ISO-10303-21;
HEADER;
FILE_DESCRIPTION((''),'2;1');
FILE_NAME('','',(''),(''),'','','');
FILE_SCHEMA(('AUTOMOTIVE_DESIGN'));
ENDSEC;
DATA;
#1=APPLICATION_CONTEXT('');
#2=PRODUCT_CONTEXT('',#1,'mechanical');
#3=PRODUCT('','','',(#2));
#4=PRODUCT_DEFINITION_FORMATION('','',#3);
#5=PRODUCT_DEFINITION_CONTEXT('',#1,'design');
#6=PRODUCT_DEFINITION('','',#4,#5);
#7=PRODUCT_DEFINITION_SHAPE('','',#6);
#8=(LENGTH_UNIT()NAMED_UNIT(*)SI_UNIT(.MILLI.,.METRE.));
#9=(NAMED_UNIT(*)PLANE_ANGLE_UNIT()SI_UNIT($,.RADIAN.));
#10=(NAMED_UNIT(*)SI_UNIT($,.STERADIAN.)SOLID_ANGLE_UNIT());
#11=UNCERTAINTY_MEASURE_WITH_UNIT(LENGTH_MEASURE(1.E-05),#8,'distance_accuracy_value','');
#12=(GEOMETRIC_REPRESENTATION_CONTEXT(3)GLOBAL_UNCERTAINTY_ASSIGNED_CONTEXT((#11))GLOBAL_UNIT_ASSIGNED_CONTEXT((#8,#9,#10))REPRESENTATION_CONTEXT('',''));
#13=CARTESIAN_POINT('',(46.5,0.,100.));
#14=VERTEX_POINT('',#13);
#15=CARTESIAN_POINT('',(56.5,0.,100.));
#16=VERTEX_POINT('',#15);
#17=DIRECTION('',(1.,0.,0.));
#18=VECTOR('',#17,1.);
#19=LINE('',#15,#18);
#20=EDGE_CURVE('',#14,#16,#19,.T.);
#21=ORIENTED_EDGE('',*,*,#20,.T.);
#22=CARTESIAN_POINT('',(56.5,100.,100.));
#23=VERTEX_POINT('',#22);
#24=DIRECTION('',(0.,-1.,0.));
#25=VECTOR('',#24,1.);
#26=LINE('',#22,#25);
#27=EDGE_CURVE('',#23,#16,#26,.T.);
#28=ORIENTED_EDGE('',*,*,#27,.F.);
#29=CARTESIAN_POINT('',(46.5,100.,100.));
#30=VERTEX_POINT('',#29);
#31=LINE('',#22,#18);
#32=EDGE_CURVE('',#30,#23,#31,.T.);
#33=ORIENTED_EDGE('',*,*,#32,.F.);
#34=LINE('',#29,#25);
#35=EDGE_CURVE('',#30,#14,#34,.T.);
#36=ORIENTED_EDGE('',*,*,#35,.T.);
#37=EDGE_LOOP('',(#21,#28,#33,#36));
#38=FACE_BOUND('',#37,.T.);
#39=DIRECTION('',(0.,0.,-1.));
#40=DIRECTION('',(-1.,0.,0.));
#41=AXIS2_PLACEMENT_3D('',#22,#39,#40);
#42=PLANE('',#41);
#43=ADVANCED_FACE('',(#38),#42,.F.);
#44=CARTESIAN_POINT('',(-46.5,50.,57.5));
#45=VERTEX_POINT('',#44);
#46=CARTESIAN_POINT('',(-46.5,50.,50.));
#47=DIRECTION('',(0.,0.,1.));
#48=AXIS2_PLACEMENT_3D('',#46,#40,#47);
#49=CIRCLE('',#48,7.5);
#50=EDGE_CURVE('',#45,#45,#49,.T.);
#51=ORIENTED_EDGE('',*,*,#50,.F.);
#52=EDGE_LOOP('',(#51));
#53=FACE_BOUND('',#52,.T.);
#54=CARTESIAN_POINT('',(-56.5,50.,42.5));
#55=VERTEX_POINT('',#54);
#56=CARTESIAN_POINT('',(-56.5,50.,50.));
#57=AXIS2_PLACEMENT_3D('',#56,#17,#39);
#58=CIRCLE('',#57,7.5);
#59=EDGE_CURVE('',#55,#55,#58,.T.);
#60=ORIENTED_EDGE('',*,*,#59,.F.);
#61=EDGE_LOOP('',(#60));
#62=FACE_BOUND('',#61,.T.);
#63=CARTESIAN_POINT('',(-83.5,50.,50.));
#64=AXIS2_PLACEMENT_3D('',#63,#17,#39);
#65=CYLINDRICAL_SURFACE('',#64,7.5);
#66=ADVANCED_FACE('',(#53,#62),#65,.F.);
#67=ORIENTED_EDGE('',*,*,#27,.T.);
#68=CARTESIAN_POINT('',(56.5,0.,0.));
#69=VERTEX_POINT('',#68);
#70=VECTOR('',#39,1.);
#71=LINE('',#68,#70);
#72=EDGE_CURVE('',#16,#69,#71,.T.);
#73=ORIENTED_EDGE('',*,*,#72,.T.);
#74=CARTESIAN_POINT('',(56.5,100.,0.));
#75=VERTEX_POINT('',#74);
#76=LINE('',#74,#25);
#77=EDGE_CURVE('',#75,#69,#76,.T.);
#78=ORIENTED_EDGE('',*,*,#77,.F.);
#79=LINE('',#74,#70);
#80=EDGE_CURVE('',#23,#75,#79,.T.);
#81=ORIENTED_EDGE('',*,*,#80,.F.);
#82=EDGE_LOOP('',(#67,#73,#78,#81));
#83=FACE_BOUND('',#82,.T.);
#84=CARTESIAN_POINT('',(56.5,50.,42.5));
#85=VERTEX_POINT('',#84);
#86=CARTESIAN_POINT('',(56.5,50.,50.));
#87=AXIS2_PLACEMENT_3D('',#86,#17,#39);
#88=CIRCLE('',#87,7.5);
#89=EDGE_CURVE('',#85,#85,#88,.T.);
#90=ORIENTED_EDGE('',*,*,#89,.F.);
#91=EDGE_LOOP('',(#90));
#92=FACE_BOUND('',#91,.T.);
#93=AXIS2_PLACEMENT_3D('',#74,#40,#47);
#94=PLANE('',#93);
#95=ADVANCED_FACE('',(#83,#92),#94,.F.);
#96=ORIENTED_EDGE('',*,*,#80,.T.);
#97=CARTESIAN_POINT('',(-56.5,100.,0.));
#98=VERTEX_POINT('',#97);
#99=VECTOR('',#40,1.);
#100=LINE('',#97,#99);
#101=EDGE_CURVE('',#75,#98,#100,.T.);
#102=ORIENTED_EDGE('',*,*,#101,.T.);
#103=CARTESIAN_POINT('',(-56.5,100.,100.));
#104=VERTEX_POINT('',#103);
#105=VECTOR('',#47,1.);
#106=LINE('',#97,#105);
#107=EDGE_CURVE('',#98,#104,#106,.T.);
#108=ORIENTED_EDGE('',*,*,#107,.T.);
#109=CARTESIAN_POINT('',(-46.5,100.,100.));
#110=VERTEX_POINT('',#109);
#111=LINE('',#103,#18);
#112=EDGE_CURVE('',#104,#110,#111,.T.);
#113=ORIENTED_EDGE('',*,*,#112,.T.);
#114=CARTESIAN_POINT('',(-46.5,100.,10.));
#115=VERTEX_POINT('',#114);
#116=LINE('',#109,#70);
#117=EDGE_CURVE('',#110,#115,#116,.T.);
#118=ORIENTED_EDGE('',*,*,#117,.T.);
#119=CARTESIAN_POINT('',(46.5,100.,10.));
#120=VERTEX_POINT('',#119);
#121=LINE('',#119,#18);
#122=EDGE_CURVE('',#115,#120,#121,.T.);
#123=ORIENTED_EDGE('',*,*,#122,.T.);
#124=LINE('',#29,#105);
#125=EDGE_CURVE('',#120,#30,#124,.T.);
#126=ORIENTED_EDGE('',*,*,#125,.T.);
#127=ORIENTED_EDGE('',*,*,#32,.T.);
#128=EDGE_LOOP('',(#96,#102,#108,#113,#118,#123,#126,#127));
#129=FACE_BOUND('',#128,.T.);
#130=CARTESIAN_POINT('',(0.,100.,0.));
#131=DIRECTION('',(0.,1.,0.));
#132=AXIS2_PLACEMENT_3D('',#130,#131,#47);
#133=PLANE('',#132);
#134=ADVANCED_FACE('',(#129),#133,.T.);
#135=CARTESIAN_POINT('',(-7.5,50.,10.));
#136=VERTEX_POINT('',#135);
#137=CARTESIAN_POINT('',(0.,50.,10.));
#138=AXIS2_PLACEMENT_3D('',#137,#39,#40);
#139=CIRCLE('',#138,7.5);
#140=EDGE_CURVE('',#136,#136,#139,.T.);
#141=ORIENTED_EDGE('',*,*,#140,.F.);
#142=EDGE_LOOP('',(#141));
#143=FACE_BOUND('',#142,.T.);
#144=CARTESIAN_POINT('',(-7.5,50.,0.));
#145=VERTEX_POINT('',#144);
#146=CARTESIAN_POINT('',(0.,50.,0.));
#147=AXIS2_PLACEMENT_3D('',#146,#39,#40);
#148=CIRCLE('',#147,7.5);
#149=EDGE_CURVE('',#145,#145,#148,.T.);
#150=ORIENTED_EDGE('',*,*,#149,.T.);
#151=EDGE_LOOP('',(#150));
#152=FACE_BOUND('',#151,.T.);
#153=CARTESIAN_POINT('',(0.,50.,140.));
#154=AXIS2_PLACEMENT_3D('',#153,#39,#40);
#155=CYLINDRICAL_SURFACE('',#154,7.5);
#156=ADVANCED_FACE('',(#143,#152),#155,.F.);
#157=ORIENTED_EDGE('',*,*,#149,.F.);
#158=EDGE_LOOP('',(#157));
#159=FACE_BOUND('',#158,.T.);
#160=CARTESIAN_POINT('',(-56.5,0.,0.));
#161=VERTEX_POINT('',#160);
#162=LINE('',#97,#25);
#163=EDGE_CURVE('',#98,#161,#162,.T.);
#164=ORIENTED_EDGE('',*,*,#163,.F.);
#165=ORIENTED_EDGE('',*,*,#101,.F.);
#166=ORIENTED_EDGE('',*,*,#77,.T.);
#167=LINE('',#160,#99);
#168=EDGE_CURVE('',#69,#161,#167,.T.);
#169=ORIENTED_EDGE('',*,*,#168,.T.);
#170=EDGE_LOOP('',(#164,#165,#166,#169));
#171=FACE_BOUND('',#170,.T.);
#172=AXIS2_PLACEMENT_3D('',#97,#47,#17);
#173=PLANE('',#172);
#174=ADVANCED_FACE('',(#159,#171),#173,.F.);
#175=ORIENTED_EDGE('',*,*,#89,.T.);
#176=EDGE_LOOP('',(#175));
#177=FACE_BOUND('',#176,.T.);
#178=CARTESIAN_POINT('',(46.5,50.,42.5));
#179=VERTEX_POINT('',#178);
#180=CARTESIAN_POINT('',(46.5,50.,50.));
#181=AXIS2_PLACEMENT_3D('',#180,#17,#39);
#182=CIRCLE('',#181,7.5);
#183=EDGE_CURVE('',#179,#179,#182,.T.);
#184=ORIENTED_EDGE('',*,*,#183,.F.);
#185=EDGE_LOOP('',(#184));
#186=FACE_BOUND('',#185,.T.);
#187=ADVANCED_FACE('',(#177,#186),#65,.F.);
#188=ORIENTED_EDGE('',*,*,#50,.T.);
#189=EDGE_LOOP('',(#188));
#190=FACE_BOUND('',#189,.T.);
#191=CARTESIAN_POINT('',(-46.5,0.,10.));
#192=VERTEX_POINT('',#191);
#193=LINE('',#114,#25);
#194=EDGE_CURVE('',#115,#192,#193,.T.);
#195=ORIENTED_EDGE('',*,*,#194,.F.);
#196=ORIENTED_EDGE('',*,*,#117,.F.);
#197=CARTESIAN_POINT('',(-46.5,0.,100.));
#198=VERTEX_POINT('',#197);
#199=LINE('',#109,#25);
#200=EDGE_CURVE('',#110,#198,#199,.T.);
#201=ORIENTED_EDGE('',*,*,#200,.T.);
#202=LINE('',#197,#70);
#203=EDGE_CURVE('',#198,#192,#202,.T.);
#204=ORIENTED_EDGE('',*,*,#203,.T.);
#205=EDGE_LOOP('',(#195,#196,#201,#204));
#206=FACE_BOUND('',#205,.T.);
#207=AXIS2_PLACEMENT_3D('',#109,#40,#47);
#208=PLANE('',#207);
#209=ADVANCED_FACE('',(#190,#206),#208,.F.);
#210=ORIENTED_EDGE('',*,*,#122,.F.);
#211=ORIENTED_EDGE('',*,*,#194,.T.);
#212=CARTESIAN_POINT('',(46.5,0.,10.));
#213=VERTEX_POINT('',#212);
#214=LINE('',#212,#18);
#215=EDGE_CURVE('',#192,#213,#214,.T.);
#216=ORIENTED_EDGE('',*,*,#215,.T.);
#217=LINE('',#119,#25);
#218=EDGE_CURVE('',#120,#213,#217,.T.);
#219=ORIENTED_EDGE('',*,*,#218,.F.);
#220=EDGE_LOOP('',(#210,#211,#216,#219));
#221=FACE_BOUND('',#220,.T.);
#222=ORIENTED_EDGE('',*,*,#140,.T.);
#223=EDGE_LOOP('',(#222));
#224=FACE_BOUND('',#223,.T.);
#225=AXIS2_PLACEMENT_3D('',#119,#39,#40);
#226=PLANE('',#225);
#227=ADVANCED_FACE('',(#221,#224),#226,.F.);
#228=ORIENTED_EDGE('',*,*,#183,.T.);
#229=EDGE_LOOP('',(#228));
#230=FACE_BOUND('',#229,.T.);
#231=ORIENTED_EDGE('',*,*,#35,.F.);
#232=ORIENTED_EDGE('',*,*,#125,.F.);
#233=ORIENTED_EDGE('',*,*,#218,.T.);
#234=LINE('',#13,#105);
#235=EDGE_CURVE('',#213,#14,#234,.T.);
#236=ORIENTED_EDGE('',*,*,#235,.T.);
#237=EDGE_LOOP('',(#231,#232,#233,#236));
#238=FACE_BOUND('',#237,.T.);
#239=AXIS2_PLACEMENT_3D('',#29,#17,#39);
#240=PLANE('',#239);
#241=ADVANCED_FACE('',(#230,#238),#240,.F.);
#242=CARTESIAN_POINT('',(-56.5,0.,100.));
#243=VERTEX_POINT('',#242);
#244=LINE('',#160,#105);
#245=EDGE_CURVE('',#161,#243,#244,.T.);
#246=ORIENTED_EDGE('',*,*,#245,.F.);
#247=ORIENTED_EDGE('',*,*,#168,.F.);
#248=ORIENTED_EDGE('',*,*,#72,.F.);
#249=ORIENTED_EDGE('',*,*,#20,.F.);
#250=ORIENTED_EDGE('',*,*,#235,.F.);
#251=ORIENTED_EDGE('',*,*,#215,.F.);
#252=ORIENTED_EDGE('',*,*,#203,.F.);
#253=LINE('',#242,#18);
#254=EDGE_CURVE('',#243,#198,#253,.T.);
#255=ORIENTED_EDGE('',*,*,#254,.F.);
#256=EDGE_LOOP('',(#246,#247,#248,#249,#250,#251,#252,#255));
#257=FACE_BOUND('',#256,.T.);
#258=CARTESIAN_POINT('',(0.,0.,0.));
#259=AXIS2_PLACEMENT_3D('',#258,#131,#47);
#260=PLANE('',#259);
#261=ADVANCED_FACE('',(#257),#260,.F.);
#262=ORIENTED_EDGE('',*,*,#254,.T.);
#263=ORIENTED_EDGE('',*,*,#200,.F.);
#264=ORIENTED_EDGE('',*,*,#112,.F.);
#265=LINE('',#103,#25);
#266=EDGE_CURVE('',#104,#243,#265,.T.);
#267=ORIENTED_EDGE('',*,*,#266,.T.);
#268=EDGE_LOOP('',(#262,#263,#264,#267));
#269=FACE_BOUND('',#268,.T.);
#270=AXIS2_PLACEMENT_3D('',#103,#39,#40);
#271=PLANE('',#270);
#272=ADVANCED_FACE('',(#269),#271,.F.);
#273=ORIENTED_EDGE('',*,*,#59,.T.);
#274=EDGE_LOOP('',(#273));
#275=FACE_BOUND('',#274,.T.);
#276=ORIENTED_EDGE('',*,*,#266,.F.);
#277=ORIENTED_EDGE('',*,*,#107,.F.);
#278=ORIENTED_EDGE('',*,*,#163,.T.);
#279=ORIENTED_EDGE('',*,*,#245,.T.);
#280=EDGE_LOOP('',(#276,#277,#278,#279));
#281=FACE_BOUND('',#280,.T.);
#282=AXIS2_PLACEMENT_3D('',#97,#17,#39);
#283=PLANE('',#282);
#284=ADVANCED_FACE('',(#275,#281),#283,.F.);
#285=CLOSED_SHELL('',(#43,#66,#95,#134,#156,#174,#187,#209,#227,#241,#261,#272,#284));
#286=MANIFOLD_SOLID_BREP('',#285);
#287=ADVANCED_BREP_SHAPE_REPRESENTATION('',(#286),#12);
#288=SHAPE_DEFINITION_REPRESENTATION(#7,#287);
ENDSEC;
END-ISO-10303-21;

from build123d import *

# Parameters (mm, degrees)
BOSS_EXTRUDE1_DEPTH = 100
SKETCH2_R           = 7.5
CUT_EXTRUDE1_DEPTH  = 140
SKETCH3_R           = 7.5
CUT_EXTRUDE2_DEPTH  = 140


with BuildPart() as part:
    # Sketch1 → Boss-Extrude1 (new body)
    with BuildSketch(Plane(origin=(0, 0, 0), x_dir=(1, 0, 0), z_dir=(0, 1, 0))):
        Polygon((-56.5, 0), (56.5, 0), (56.5, -100), (46.5, -100), (46.5, -10), (-46.5, -10), (-46.5, -100), (-56.5, -100), align=None)
    extrude(amount=BOSS_EXTRUDE1_DEPTH)

    # Sketch2 → Cut-Extrude1 (cut)
    with BuildSketch(Plane(origin=(56.5, 0, 0), x_dir=(0, 0, -1), z_dir=(1, 0, 0))):
        with Locations((-50, 50)):
            Circle(SKETCH2_R)
    extrude(amount=-CUT_EXTRUDE1_DEPTH, mode=Mode.SUBTRACT)

    # Sketch3 → Cut-Extrude2 (cut)
    with BuildSketch(Plane(origin=(0, 0, 0), x_dir=(-1, 0, 0), z_dir=(0, 0, -1))):
        with Locations((0, 50)):
            Circle(SKETCH3_R)
    extrude(amount=-CUT_EXTRUDE2_DEPTH, mode=Mode.SUBTRACT)


solid = part.part
